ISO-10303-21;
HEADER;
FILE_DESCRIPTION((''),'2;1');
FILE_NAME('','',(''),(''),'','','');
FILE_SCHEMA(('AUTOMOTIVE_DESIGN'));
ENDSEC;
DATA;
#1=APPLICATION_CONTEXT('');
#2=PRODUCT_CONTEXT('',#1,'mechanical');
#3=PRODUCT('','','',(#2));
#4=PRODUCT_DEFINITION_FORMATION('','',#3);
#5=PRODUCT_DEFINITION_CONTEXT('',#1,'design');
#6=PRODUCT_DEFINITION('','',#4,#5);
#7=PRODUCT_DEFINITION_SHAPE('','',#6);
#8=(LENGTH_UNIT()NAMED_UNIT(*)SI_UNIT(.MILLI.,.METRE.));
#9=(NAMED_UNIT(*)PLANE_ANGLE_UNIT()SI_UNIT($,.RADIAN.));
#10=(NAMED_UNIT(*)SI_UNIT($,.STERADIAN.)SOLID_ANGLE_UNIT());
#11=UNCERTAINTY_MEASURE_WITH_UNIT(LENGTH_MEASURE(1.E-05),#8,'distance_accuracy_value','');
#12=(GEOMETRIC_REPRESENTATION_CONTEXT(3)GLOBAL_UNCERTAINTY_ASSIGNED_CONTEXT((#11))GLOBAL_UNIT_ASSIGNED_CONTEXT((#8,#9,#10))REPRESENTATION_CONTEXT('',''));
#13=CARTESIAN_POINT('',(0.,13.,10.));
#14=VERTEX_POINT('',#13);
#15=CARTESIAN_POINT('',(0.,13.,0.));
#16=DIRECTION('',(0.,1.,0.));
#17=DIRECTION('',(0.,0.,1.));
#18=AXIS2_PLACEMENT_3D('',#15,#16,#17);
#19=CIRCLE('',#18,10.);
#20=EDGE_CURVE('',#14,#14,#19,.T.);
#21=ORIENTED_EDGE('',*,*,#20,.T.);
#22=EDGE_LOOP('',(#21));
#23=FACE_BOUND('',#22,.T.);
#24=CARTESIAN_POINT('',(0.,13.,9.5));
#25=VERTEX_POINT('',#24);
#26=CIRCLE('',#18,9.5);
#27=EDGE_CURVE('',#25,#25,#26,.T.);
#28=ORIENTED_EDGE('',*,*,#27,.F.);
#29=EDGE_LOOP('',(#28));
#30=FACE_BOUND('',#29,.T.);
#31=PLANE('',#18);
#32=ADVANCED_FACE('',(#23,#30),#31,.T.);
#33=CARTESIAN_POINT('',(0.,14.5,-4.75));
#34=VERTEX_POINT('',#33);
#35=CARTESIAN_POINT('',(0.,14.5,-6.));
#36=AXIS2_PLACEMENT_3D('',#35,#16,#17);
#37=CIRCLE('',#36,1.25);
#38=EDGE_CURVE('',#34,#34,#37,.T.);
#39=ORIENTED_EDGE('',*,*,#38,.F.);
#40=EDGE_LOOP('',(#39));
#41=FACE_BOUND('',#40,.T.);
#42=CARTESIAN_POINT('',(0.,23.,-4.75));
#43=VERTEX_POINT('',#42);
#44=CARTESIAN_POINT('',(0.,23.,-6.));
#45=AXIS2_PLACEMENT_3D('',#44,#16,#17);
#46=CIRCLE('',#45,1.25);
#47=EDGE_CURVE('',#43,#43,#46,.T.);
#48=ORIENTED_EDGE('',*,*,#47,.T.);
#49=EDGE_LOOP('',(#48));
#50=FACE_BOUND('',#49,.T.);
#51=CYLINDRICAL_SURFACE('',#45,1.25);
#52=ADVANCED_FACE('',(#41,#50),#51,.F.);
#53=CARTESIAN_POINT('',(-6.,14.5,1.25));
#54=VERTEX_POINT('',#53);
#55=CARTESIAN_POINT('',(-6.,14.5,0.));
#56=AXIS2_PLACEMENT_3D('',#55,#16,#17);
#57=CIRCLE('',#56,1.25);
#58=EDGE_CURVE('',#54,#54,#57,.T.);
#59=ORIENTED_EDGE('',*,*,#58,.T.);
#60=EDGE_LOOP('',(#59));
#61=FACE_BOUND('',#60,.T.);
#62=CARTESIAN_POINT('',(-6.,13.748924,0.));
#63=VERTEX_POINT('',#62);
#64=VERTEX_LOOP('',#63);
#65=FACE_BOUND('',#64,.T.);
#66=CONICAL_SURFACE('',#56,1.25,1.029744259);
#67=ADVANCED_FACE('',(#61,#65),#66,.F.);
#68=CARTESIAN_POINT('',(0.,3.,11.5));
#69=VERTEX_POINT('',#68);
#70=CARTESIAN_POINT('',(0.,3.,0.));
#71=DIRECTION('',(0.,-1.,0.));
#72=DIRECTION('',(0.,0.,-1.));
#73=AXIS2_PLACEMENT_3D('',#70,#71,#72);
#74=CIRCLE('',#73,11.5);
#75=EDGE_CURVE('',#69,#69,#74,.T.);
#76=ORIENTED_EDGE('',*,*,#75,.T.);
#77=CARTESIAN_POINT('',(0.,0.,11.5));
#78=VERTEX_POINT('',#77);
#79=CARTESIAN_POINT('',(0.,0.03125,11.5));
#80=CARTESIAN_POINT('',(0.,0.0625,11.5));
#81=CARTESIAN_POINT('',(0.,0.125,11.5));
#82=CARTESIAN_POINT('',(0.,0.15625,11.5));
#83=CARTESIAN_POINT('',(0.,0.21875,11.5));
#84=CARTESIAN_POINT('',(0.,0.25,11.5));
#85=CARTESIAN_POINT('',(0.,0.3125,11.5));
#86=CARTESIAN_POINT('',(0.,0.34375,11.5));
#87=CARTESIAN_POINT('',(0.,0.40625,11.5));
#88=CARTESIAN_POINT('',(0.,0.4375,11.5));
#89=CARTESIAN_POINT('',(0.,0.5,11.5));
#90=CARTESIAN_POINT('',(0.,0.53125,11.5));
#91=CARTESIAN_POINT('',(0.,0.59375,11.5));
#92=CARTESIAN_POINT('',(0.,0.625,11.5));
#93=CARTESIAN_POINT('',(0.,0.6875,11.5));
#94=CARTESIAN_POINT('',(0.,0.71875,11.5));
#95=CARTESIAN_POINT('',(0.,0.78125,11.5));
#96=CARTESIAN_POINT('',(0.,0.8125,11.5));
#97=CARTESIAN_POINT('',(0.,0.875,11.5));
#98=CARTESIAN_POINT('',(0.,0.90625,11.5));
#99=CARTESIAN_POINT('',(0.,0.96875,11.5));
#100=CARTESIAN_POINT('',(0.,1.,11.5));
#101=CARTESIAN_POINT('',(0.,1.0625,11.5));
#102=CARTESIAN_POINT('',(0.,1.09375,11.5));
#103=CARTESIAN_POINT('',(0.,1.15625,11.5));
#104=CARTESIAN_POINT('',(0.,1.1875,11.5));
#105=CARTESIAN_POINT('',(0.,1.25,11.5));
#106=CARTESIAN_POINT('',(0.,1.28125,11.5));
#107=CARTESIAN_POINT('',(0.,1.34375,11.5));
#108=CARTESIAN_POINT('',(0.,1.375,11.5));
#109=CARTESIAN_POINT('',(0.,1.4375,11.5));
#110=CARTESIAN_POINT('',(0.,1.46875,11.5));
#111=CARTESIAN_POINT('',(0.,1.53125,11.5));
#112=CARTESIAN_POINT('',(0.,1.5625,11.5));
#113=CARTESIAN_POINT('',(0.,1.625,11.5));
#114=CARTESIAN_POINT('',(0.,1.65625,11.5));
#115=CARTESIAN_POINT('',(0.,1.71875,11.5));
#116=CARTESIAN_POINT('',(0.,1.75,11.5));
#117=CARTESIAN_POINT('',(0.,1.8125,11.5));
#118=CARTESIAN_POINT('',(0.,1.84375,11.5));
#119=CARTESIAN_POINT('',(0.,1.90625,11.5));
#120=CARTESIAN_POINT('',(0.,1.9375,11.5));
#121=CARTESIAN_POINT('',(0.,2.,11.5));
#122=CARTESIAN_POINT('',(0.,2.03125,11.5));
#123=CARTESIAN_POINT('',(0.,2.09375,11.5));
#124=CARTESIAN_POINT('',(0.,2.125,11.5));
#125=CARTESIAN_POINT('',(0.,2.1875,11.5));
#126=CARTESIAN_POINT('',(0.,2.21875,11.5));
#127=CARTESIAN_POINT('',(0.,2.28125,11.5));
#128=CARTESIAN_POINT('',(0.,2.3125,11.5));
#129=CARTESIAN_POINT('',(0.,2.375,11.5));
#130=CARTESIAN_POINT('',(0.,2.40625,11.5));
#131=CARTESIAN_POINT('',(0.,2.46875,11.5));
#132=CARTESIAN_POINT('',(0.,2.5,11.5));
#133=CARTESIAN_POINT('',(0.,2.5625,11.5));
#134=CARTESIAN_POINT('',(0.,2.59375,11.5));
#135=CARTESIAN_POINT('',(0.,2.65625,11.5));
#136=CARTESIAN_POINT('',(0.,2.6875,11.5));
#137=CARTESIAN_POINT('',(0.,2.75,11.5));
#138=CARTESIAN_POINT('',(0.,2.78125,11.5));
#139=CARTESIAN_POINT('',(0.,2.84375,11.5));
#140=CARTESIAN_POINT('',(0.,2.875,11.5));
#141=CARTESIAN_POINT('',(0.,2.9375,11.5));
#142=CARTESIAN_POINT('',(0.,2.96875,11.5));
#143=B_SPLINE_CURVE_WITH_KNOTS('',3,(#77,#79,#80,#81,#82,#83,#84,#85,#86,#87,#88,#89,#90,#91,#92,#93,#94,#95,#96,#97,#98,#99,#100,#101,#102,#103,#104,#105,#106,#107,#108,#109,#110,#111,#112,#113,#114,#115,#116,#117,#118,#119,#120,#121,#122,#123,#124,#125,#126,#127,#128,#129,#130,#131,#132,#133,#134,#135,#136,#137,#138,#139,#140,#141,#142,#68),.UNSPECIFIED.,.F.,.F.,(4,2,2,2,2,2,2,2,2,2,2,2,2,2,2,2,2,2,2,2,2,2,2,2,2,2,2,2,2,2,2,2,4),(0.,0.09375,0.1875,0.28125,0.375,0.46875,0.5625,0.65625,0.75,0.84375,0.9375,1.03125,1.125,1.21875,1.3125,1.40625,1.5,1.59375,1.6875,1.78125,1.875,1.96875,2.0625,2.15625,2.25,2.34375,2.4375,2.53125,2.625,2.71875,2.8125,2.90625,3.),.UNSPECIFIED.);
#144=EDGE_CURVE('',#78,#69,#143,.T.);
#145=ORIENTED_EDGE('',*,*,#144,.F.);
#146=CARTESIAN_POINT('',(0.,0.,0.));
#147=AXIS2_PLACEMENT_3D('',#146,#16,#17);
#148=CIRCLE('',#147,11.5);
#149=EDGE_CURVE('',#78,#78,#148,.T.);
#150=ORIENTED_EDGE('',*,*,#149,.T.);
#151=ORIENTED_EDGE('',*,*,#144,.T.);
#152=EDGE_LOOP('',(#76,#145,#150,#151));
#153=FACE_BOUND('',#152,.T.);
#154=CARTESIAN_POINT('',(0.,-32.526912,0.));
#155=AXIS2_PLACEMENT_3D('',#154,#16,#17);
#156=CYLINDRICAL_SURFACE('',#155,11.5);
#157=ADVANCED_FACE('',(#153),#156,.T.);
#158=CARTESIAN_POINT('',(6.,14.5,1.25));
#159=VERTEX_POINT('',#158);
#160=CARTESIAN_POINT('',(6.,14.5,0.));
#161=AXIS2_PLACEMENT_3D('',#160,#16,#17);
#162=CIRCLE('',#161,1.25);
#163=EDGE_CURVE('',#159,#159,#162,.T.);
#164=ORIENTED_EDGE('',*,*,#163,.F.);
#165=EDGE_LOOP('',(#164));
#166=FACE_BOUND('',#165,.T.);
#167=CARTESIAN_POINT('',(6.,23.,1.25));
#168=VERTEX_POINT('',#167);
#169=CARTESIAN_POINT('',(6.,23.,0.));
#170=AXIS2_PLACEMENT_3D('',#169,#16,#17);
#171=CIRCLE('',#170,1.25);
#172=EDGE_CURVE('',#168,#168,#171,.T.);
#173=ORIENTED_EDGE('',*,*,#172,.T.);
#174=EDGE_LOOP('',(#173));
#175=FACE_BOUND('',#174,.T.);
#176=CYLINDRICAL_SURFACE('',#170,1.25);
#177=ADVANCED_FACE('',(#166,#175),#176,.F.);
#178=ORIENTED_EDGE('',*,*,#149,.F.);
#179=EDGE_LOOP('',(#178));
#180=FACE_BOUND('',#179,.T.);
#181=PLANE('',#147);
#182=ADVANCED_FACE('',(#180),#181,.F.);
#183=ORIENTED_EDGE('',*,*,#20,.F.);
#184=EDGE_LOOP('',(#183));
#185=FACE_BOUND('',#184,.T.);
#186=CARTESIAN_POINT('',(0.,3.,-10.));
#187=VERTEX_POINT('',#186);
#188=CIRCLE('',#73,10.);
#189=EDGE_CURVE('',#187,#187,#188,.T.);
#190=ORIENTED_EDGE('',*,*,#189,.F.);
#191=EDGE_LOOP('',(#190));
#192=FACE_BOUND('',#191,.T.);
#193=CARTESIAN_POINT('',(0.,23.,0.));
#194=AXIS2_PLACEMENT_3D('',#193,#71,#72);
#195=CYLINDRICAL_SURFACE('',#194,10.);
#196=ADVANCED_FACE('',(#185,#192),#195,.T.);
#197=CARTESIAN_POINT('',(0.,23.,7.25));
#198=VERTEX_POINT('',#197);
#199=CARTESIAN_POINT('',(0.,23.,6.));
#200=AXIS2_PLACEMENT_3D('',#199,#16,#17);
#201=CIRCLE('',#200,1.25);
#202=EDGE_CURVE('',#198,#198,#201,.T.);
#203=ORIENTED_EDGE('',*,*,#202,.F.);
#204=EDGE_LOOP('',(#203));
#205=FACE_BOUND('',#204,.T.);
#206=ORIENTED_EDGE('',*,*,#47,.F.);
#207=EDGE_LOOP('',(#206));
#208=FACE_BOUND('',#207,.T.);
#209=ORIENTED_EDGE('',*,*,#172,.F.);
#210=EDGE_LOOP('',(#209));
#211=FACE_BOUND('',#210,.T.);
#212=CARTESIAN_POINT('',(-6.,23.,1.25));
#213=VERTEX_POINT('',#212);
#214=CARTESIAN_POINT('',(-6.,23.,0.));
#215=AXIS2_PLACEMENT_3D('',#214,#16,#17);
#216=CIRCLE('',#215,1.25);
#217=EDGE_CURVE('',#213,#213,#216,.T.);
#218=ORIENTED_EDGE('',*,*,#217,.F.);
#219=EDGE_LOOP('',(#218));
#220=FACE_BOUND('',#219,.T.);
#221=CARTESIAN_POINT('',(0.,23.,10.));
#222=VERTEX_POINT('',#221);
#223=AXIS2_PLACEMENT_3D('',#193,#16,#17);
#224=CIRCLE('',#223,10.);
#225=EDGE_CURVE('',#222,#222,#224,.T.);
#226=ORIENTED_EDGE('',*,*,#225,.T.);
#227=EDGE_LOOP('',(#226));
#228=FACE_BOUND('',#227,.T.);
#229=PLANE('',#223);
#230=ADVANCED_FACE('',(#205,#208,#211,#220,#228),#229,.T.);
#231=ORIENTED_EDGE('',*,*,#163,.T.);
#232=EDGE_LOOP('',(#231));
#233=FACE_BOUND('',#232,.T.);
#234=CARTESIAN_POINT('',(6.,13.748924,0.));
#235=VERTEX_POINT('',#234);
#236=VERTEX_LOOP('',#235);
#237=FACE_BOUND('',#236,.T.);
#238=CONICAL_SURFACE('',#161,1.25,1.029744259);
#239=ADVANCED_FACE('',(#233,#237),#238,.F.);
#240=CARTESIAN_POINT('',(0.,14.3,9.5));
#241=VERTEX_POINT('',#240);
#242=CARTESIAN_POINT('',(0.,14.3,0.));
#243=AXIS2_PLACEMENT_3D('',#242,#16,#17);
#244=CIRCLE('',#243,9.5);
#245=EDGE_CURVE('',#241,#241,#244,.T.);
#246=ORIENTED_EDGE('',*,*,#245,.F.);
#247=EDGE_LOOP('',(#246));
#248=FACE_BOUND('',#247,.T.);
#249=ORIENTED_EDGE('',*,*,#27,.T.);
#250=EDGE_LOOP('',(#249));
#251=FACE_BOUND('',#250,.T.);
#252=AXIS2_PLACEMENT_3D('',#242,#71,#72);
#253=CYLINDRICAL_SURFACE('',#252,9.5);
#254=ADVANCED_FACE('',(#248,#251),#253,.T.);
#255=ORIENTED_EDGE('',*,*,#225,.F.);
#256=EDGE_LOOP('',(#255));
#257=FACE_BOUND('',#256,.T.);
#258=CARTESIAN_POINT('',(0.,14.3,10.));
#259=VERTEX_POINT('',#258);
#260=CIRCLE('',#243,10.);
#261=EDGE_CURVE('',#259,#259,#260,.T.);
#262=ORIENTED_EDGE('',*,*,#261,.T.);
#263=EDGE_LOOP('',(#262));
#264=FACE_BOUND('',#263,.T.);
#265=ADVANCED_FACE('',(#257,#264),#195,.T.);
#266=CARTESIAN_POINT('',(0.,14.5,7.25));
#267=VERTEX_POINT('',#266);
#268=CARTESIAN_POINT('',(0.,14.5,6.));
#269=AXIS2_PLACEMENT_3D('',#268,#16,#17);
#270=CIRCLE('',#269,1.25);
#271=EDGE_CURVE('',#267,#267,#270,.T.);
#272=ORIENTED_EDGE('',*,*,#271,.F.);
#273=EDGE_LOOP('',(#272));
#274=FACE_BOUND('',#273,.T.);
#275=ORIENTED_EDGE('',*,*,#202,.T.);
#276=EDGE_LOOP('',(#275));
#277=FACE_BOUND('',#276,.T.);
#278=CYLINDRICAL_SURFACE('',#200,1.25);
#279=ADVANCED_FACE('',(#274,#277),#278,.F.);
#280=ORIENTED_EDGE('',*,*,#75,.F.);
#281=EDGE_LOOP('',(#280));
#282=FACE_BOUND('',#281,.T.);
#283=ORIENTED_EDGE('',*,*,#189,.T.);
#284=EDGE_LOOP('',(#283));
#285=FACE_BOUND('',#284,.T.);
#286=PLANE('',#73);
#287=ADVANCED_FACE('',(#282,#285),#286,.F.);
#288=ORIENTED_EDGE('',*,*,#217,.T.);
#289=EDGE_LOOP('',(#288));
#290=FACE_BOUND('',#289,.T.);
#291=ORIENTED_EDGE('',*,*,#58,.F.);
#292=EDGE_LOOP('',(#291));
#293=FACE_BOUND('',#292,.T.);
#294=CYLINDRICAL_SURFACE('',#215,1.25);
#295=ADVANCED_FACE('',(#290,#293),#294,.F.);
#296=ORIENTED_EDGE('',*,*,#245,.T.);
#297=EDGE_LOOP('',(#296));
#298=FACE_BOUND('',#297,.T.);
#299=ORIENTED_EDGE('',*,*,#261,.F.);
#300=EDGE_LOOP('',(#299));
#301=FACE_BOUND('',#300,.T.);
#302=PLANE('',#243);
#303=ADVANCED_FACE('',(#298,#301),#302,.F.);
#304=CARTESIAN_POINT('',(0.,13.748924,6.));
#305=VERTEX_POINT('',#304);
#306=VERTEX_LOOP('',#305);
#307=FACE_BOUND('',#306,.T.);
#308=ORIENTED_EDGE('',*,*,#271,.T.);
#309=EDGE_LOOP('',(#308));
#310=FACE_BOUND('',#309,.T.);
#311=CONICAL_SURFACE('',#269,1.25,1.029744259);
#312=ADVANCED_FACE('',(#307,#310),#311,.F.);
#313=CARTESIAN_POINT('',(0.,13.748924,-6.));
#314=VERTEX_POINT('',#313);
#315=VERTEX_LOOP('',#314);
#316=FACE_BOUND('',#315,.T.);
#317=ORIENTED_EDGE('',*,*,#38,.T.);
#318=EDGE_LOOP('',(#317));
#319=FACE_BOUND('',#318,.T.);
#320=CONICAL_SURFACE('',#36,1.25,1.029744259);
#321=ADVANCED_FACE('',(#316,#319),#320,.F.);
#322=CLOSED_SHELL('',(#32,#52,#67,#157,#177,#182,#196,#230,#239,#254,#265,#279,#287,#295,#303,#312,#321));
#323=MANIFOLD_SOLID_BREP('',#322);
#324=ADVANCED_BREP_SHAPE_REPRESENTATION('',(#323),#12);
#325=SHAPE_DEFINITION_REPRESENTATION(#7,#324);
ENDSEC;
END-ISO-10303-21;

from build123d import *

# Parameters (mm, degrees)
SKETCH_1_R          = 10
EXTRUDE_1_DEPTH     = 23
M3X0_52_D           = 2.5
M3X0_52_DEPTH       = 8.5
M3X0_52_TIP         = 0.751075774
EXTRUDE_START       = 3
SKETCH_10_R         = 11.5
SKETCH_10_R_2       = 10
EXTRUDE_2_DEPTH     = 3
SKETCH_8_R          = 10
SKETCH_8_R_2        = 9.5
CUT_EXTRUDE_1_DEPTH = 1.3


with BuildPart() as part:
    # Эскиз1 → Бобышка-Вытянуть1 (new body)
    with BuildSketch(Plane(origin=(0, 0, 0), x_dir=(1, 0, 0), z_dir=(0, 1, 0))):
        with Locations(Location((0, 0, 0), (0, 0, 270))):
            Circle(SKETCH_1_R)
    extrude(amount=EXTRUDE_1_DEPTH)

    # Отверстие обработанное метчиком M3x0.52
    with Locations(Plane(origin=(-4.838819278, 23, -4.760025704), x_dir=(-1, 0, 0), z_dir=(0, 1, 0))):
        with Locations((-4.838819278, -1.239974296), (-10.838819278, 4.760025704), (-4.838819278, 10.760025704), (1.161180722, 4.760025704)):
            Hole(M3X0_52_D / 2, depth=M3X0_52_DEPTH)
            with Locations((0, 0, -(M3X0_52_DEPTH + M3X0_52_TIP / 2))):  # 118° drill point
                Cone(0, M3X0_52_D / 2, M3X0_52_TIP, mode=Mode.SUBTRACT)

    # Эскиз10 → Бобышка-Вытянуть2 (add)
    with BuildSketch(Plane(origin=(0, 3, 0), x_dir=(-1, 0, 0), z_dir=(0, -1, 0)).offset(EXTRUDE_START)):
        with Locations(Location((0, 0, 0), (0, 0, 270))):
            Circle(SKETCH_10_R)
        with Locations(Location((0, 0, 0), (0, 0, 90))):
            Circle(SKETCH_10_R_2, mode=Mode.SUBTRACT)
    extrude(amount=-EXTRUDE_2_DEPTH)

    # Эскиз8 → Вырез-Вытянуть1 (cut)
    with BuildSketch(Plane(origin=(0, 13, 0), x_dir=(1, 0, 0), z_dir=(0, 1, 0))):
        with Locations(Location((0, 0, 0), (0, 0, 270))):
            Circle(SKETCH_8_R)
        with Locations(Location((0, 0, 0), (0, 0, 270))):
            Circle(SKETCH_8_R_2, mode=Mode.SUBTRACT)
    extrude(amount=CUT_EXTRUDE_1_DEPTH, mode=Mode.SUBTRACT)


solid = part.part
